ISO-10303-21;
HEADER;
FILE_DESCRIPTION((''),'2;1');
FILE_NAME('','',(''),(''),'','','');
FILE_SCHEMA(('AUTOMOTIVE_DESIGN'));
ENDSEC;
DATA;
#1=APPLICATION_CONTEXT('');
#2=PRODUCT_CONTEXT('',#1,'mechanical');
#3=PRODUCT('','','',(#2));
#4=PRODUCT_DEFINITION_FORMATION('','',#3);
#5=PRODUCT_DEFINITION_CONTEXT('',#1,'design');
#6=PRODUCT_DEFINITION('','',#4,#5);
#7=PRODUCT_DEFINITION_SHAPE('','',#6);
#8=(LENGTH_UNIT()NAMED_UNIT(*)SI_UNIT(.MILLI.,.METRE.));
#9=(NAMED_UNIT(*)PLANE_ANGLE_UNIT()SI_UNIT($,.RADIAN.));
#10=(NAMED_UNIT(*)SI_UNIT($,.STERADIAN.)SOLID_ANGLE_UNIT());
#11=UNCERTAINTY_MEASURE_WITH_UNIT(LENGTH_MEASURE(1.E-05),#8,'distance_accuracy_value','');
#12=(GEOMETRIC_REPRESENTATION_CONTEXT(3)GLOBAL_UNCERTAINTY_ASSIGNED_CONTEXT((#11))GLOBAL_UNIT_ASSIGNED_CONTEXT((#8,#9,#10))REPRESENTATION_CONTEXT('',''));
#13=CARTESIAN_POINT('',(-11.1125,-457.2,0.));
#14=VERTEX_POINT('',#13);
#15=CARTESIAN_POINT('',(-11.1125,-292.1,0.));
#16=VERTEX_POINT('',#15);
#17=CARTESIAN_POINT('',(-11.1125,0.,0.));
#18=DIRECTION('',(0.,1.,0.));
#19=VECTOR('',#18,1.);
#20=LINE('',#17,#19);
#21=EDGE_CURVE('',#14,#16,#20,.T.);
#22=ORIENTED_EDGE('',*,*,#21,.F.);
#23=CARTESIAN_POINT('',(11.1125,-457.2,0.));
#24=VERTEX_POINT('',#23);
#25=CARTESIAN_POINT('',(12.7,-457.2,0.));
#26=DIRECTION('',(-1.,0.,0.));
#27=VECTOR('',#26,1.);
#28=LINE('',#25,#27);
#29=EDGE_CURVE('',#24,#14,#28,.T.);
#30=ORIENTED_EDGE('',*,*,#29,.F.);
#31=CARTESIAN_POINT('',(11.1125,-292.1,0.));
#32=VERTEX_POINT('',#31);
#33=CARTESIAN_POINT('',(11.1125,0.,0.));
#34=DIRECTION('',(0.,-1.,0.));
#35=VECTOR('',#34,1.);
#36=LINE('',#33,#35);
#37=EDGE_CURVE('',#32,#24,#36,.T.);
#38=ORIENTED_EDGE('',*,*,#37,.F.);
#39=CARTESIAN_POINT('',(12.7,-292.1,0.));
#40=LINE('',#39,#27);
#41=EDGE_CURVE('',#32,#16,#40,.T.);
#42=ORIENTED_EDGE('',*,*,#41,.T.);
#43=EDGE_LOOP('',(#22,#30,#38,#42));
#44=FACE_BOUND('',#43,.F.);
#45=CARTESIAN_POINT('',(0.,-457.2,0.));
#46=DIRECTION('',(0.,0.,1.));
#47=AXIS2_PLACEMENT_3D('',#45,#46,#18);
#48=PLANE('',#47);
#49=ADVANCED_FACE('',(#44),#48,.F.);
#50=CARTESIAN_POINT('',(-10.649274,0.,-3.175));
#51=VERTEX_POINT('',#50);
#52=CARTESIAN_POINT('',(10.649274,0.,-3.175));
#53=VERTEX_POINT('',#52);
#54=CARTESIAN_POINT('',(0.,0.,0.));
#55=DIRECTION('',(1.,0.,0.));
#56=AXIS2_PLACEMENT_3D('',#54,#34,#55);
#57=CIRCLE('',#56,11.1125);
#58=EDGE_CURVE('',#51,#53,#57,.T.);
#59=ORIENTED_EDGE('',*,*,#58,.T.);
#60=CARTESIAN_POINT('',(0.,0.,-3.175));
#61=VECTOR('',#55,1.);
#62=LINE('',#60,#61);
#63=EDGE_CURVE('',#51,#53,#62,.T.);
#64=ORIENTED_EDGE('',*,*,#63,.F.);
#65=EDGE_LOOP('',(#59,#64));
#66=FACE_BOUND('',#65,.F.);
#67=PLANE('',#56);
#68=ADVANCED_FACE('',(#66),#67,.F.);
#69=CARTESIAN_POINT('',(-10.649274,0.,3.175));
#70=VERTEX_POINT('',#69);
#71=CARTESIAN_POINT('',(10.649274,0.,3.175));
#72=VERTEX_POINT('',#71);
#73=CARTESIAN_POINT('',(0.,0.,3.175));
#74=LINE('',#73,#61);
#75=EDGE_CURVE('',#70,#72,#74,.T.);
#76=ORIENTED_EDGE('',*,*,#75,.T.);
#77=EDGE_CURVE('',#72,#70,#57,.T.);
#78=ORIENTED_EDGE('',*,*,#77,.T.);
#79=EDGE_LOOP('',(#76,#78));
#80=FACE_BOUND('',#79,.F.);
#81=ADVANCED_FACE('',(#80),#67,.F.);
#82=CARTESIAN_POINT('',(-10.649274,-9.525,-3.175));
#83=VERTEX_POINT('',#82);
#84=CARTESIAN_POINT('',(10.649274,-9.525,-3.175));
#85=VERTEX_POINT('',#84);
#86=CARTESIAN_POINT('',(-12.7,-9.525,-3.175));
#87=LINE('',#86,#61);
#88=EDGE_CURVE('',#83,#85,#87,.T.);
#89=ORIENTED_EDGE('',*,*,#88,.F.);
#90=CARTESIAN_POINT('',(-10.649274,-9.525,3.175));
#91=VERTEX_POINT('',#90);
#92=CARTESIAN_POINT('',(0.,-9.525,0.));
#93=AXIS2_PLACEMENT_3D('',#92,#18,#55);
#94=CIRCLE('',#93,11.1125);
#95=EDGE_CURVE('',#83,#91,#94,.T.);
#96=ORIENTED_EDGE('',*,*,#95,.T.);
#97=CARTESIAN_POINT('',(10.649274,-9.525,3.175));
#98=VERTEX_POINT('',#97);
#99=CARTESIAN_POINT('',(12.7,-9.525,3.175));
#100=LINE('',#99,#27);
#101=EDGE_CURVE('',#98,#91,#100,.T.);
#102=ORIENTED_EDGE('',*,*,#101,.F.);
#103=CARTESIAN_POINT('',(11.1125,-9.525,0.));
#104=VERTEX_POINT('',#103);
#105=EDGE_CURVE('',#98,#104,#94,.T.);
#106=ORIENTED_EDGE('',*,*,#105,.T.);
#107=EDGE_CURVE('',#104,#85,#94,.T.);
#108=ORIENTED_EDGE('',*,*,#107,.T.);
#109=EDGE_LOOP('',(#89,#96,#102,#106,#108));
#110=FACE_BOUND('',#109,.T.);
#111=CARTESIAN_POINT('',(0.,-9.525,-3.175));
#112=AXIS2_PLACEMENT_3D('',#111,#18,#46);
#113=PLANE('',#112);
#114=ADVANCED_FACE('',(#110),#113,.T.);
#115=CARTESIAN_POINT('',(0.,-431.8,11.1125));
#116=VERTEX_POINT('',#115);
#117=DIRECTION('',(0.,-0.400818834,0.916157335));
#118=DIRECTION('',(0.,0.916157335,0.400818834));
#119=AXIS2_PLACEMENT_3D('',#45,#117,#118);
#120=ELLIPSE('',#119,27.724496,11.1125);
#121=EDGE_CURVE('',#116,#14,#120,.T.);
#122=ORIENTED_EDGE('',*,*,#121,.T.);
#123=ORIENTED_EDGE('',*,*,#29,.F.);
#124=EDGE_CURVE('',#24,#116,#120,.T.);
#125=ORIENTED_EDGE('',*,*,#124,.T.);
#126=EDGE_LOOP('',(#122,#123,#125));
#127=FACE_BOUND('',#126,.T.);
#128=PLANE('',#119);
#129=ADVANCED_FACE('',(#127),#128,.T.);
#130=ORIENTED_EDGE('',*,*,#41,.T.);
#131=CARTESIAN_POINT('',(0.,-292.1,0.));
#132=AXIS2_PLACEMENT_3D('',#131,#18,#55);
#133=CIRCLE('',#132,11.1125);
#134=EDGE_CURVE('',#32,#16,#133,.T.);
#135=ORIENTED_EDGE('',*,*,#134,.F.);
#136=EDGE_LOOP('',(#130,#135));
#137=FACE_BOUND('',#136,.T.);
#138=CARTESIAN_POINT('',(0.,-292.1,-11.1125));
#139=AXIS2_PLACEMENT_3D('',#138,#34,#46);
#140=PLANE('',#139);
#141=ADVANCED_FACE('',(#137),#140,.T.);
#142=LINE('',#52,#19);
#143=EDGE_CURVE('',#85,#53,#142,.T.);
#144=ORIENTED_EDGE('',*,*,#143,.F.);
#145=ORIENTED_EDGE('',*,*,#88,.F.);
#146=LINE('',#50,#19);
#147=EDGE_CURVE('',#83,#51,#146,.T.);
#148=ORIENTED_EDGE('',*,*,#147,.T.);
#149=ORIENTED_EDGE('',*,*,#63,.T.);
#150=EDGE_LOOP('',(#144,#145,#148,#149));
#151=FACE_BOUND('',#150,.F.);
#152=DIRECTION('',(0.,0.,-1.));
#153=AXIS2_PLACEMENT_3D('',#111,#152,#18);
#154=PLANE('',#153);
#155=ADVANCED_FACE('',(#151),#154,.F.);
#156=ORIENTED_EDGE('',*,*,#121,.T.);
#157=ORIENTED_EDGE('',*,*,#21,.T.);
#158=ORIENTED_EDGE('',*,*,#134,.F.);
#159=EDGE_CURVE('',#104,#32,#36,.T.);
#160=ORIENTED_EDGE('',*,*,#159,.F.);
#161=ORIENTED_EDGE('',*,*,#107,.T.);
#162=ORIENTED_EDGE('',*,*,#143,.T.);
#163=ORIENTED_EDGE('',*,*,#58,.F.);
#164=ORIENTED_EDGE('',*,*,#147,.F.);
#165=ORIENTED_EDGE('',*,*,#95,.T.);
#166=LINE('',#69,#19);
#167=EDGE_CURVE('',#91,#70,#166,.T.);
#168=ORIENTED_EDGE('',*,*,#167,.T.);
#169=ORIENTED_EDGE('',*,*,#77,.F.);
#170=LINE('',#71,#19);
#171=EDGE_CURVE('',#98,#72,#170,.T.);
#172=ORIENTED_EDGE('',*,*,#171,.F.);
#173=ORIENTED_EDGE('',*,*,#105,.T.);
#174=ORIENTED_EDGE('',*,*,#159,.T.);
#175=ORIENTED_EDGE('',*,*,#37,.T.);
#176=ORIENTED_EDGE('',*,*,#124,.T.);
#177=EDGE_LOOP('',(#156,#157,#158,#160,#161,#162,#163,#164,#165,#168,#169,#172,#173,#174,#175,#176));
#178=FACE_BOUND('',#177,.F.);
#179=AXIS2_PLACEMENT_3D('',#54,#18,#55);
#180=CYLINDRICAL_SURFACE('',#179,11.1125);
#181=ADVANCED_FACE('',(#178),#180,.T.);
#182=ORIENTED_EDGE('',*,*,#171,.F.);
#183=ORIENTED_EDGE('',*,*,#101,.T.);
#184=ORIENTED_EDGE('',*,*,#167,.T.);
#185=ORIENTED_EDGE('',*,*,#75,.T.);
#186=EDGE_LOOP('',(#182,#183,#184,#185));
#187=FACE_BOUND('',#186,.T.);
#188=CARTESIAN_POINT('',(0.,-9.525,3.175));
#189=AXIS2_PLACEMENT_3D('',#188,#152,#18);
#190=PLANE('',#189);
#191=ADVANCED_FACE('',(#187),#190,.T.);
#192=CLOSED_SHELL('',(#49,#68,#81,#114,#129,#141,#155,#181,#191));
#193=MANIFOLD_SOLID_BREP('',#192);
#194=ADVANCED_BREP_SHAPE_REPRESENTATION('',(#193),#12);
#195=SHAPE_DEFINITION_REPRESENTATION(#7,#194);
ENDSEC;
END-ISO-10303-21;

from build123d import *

# Parameters (mm, degrees)
F0_R     = 11.1125
F1_DEPTH = 457.2
F2_W     = 165.1
F2_H     = 11.1125
F2_W_2   = 19.05
F2_H_2   = 6.35
F3_DEPTH = 12.7


with BuildPart() as f1:
    # F0 (on Front) → F1 (new body)
    with BuildSketch(Plane.XZ):
        Circle(F0_R)
    extrude(amount=F1_DEPTH)

    # F2 (on Right) → F3 (cut, symmetric)
    with BuildSketch(Plane.YZ):
        with Locations((-374.65, -5.55625)):
            Rectangle(F2_W, F2_H)
        Polygon((-457.2, 11.1125), (-457.2, 0), (-431.8, 11.1125), align=None)
        Rectangle(F2_W_2, F2_H_2)
    extrude(amount=F3_DEPTH, both=True, mode=Mode.SUBTRACT)


solid = f1.part
